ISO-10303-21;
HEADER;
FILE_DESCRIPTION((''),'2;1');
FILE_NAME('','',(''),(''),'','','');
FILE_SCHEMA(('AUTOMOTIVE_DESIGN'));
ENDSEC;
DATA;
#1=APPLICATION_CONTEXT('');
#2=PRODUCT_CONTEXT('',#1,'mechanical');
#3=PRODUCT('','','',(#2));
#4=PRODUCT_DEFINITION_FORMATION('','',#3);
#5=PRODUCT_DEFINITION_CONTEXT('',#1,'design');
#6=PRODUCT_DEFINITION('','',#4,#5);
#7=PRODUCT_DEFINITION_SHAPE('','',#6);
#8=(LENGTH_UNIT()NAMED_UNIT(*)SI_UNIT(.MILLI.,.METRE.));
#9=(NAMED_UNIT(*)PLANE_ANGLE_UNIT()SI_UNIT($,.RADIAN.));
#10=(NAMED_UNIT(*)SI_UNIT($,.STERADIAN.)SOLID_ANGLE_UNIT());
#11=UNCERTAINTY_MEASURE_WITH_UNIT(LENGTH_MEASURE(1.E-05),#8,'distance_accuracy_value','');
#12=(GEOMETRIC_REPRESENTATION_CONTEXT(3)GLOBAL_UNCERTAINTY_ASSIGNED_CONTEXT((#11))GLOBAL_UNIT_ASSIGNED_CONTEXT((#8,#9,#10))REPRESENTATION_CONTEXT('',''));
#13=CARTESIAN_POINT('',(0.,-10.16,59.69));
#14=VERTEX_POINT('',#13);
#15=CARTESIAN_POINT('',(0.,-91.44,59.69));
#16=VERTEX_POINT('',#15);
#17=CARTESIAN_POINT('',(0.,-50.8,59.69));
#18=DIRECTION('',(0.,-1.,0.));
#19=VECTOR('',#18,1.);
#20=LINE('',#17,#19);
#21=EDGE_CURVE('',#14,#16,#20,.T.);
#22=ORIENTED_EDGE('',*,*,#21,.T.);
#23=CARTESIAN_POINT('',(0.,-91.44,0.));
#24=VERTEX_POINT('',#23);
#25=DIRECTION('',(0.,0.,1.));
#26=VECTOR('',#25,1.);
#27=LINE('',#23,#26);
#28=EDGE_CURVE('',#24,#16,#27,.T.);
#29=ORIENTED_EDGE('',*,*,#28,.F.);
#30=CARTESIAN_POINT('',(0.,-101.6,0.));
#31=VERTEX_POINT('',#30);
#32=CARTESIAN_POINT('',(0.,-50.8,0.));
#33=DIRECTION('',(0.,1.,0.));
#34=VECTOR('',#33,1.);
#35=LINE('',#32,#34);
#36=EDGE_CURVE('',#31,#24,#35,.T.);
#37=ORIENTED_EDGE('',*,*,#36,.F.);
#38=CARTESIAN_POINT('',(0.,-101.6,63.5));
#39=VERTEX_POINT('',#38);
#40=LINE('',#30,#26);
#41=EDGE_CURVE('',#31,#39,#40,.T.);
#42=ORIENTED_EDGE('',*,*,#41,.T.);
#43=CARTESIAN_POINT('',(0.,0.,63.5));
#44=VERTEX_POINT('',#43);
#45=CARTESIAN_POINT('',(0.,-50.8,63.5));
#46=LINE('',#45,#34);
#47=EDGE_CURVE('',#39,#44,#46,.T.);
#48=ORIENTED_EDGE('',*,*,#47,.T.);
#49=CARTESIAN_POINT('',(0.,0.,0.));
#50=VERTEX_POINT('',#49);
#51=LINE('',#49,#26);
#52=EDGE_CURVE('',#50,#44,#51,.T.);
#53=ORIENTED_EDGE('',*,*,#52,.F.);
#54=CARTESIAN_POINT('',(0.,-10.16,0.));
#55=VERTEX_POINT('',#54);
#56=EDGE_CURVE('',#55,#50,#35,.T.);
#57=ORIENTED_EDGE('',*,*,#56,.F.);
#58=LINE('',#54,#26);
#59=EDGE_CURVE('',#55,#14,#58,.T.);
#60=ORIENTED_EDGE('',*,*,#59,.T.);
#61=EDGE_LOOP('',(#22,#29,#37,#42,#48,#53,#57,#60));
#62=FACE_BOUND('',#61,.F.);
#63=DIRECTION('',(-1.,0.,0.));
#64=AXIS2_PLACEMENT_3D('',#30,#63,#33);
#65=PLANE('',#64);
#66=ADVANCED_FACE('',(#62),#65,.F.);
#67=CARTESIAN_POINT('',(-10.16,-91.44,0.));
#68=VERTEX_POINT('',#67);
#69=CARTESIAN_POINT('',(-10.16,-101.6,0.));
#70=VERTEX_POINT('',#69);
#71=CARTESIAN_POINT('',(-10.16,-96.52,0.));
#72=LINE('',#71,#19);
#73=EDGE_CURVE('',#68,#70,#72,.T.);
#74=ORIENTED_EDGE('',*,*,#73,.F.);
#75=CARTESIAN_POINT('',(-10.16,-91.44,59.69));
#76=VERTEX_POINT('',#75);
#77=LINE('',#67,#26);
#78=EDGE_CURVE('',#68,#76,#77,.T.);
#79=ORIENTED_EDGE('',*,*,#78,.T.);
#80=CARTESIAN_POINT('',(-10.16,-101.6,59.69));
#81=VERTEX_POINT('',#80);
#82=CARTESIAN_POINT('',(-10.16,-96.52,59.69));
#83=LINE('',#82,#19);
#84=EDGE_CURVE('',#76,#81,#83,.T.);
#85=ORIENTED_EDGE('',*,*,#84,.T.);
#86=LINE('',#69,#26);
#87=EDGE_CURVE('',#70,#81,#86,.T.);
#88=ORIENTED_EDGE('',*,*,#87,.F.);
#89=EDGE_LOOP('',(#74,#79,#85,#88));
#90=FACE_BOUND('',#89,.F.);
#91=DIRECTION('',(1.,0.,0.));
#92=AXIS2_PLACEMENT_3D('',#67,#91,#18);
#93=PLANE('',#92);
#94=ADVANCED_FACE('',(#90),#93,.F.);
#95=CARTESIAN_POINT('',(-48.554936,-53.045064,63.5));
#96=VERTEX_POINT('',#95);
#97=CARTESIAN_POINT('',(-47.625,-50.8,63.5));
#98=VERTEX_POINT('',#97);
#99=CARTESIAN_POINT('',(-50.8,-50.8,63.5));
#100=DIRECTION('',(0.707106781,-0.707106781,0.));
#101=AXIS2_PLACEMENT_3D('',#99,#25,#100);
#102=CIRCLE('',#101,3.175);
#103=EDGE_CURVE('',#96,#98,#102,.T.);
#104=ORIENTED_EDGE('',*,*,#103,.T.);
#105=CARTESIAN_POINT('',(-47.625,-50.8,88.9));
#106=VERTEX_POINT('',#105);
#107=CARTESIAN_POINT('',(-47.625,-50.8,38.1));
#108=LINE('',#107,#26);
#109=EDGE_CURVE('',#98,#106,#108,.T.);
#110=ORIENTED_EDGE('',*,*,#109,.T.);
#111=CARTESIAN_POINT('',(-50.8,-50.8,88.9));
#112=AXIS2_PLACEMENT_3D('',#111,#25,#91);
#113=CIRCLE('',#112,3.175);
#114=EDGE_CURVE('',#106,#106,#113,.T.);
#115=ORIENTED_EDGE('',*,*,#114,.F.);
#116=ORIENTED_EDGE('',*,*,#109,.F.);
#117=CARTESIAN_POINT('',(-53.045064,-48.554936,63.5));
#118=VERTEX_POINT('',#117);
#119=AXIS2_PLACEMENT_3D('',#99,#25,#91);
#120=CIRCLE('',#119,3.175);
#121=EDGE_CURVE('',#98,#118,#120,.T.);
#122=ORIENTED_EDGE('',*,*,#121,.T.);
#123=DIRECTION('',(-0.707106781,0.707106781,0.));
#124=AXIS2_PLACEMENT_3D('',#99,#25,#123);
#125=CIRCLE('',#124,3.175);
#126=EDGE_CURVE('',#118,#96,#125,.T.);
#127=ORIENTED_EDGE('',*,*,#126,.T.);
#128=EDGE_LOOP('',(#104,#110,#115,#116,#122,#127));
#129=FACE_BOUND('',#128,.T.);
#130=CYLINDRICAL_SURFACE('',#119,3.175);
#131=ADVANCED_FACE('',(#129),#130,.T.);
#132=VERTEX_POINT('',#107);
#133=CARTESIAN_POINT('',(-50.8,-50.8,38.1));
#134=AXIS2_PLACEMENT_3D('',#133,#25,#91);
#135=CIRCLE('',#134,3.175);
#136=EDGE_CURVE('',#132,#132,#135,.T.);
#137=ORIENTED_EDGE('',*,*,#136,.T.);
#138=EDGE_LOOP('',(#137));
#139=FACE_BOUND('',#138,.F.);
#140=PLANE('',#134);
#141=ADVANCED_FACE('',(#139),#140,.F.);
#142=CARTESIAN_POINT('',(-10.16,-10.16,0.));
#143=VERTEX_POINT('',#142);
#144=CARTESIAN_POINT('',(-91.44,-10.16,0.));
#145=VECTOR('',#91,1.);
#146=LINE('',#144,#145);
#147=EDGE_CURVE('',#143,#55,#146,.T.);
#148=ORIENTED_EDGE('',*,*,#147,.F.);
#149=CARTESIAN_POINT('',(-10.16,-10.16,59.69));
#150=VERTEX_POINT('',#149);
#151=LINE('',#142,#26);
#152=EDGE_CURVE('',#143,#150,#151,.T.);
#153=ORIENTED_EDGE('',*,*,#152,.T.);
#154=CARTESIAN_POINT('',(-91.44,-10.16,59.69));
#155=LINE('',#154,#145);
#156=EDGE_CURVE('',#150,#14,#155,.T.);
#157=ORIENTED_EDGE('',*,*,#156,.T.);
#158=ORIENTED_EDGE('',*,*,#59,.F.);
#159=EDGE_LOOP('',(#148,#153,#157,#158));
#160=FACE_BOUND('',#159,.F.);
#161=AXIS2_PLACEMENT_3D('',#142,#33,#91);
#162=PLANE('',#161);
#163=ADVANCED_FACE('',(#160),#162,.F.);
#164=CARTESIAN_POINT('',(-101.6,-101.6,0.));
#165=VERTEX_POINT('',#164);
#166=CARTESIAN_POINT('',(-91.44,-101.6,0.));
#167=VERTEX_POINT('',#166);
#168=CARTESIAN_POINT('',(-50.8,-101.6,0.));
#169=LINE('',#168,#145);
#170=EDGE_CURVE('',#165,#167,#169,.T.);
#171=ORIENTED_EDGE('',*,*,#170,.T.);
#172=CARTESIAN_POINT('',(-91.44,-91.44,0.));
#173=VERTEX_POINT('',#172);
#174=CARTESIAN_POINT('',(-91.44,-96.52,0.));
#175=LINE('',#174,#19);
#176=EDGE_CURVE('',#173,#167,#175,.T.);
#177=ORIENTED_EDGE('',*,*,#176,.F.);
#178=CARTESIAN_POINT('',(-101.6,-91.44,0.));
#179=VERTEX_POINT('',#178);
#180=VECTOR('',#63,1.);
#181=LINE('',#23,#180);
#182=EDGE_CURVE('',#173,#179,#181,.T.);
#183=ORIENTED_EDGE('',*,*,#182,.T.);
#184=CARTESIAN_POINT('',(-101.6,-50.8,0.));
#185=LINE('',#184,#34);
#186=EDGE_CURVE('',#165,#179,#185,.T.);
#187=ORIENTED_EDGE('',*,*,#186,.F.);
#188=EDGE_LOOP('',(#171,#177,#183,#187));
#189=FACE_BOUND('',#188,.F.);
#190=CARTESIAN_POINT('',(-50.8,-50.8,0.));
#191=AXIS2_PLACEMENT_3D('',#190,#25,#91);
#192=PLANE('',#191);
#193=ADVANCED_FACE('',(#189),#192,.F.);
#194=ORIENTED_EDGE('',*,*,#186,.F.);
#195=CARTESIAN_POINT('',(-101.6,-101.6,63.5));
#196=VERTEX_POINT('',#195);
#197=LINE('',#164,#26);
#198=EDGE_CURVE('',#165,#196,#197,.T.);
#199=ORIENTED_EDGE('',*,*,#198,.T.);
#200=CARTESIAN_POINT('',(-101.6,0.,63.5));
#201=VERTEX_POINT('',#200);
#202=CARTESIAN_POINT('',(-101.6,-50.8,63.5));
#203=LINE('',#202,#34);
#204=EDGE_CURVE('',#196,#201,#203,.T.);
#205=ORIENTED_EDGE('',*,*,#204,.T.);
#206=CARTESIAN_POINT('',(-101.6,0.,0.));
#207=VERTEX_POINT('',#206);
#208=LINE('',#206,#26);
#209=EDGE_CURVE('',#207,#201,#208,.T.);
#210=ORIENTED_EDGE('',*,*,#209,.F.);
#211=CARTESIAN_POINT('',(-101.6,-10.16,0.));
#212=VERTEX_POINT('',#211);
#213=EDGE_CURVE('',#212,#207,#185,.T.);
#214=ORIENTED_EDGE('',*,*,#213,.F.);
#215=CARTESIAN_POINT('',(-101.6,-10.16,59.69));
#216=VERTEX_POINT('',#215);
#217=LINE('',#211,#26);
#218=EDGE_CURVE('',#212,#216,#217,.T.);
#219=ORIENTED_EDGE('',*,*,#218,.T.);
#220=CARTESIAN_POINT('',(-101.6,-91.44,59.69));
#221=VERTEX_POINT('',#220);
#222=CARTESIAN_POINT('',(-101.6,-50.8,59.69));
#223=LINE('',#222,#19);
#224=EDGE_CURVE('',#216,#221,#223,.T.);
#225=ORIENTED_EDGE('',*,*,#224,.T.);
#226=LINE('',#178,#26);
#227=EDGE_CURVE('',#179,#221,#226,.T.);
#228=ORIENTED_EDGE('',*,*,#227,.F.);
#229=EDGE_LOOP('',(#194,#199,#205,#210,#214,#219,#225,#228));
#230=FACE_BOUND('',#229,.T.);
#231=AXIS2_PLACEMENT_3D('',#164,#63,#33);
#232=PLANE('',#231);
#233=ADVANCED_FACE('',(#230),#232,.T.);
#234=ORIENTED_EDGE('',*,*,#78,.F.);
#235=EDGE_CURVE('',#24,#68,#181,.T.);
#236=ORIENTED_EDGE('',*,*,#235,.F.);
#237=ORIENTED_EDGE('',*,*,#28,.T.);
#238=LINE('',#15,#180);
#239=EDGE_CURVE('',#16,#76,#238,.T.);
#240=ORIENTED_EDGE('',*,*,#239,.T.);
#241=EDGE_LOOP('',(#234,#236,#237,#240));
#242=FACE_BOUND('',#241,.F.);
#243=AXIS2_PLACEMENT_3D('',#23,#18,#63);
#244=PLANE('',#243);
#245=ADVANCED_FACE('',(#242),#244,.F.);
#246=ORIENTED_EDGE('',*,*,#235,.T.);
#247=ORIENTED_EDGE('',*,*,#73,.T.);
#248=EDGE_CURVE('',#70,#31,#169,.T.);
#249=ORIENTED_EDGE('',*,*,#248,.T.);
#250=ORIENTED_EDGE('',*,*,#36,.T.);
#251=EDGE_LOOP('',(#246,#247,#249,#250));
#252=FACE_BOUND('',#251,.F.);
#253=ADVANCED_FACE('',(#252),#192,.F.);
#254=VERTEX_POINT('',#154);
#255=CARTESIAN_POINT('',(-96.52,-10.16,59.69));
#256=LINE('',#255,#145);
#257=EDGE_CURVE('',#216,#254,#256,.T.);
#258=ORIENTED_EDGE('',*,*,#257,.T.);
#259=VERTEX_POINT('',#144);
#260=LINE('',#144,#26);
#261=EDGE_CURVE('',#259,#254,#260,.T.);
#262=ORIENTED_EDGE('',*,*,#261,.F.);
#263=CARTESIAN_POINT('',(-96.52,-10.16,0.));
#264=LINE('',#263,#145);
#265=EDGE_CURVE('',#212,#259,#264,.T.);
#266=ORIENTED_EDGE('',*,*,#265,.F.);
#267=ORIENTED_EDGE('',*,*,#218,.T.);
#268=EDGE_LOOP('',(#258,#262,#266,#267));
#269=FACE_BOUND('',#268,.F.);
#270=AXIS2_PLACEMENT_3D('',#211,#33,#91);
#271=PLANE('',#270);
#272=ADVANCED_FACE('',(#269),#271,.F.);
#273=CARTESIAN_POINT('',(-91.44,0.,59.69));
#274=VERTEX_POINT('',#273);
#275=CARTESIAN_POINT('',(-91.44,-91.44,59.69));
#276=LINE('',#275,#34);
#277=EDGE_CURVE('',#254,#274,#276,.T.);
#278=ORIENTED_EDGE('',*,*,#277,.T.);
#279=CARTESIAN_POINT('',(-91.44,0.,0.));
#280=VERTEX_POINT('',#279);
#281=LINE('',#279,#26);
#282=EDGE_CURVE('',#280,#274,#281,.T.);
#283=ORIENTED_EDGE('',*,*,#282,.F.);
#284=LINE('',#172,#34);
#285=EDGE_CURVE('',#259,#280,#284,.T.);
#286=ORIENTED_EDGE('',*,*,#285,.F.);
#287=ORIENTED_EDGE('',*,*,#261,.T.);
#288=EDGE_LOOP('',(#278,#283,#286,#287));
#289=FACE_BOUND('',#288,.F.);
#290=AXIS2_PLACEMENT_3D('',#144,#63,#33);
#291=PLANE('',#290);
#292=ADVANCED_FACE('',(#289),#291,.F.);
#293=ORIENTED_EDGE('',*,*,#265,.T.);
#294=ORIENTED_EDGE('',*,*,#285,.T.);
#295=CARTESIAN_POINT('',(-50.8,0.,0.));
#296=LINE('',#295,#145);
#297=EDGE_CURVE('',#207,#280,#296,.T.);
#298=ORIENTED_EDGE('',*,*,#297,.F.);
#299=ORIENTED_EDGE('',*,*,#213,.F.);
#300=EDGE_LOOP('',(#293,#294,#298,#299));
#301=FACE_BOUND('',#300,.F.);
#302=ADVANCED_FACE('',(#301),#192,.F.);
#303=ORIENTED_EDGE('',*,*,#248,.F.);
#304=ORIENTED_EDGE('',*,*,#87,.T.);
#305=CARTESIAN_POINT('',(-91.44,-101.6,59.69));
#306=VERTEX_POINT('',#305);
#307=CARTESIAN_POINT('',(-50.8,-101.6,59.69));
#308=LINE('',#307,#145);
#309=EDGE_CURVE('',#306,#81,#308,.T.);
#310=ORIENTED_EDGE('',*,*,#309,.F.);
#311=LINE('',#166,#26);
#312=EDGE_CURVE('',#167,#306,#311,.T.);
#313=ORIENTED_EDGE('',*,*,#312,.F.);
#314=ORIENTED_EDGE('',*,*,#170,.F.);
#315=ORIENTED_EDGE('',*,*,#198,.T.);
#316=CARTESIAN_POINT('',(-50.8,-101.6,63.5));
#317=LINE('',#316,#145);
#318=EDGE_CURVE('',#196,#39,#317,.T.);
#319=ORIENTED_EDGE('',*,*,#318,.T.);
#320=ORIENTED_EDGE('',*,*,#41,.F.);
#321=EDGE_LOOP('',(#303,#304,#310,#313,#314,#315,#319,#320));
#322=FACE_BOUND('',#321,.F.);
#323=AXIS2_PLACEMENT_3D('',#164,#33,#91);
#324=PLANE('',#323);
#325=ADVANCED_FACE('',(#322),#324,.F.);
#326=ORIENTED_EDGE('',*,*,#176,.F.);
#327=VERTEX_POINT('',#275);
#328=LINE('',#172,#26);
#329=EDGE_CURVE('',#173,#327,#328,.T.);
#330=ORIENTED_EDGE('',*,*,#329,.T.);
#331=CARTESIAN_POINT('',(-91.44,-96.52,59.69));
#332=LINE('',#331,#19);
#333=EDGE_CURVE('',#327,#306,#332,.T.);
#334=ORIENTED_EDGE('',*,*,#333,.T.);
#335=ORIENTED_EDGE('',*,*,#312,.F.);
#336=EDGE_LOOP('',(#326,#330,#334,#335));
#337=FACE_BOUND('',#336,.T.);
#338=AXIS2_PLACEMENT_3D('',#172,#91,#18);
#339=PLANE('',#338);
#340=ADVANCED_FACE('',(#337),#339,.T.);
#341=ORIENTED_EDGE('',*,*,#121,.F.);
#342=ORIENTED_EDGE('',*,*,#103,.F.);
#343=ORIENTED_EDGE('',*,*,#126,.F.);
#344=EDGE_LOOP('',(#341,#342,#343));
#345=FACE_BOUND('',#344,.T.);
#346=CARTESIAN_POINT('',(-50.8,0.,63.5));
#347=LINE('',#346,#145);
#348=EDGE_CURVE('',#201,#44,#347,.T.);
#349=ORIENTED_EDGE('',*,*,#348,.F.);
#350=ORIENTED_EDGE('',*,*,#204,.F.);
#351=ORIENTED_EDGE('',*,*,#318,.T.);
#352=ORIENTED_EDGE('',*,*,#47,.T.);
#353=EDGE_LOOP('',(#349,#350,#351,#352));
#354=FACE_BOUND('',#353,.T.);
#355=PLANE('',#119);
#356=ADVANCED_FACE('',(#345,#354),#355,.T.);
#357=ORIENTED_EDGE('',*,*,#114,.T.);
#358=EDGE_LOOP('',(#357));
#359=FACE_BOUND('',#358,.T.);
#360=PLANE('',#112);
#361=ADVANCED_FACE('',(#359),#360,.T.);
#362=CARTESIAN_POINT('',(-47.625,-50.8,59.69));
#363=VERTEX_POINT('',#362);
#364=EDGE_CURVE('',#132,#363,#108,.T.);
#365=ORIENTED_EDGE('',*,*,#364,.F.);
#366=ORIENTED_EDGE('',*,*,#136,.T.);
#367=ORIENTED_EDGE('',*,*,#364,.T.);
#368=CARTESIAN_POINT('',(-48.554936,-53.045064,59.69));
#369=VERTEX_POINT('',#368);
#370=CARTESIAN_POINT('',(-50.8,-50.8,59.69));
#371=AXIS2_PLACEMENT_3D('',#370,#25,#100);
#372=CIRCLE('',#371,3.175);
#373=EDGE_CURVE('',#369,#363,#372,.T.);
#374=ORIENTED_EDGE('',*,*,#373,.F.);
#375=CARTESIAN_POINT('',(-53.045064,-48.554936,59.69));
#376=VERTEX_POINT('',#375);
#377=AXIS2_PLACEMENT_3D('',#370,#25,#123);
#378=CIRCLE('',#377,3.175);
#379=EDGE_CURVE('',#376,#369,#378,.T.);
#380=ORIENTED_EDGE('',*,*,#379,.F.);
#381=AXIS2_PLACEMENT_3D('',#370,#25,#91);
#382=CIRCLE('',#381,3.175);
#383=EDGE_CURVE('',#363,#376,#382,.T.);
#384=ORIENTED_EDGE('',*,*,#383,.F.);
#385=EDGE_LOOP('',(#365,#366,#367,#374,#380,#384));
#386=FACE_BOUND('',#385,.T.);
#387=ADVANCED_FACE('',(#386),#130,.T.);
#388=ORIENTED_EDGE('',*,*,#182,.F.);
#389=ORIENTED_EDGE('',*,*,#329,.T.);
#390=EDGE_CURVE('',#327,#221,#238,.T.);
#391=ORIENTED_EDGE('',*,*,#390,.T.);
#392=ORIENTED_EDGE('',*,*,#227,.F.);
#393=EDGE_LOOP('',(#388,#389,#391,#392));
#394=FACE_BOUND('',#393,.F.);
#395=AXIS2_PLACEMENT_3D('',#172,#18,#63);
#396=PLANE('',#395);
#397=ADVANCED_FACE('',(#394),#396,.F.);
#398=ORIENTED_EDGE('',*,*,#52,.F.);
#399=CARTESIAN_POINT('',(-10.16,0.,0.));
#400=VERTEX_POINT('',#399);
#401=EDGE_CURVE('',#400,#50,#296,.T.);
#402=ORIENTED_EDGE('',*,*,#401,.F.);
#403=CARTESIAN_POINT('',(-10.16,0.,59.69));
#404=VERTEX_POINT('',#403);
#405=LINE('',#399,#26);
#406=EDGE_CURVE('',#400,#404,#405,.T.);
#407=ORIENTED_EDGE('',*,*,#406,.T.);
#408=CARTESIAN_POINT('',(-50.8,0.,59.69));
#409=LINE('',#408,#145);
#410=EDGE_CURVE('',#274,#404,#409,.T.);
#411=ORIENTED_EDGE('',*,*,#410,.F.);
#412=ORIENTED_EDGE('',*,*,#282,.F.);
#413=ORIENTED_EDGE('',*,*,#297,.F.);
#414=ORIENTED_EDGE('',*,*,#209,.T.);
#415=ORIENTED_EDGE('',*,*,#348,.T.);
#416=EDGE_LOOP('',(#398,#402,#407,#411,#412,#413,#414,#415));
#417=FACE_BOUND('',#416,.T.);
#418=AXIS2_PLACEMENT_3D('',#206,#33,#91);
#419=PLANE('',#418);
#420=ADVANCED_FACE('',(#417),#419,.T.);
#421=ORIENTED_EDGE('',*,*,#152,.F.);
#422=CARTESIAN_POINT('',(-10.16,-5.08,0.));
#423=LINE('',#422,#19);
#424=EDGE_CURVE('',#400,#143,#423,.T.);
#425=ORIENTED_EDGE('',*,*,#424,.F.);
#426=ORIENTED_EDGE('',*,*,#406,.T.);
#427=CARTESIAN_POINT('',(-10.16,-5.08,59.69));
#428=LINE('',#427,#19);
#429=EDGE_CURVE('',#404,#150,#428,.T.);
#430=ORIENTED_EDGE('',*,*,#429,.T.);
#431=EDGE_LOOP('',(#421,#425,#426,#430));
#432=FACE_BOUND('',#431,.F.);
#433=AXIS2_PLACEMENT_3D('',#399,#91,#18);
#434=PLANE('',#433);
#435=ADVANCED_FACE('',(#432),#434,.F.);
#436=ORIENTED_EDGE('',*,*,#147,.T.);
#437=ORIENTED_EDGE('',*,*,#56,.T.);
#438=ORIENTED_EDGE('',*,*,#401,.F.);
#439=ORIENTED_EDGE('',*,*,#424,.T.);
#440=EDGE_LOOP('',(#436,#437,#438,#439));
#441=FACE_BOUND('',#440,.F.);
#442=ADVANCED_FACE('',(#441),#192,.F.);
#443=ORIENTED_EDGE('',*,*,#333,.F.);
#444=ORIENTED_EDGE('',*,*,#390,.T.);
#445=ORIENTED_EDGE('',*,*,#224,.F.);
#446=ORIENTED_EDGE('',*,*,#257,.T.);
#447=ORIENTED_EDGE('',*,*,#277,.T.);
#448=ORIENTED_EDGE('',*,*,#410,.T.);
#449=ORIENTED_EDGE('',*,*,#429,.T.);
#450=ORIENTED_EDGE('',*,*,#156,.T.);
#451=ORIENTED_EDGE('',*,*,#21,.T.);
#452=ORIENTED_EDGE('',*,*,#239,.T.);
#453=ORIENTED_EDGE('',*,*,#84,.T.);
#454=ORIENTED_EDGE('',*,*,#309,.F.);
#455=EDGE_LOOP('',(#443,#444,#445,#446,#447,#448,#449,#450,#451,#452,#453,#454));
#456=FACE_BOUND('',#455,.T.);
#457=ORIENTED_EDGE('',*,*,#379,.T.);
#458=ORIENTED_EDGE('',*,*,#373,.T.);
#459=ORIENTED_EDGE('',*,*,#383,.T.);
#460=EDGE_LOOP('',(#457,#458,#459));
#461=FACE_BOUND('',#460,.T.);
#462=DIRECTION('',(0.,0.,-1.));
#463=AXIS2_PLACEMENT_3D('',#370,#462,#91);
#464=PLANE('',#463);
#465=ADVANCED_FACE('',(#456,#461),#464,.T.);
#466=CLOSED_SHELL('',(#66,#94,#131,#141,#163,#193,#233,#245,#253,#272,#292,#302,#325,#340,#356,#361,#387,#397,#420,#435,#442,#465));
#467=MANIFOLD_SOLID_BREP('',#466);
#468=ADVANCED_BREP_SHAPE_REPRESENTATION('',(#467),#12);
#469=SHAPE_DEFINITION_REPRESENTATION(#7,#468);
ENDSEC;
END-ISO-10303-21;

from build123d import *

# Parameters (mm, degrees)
F0_W     = 101.6
F0_H     = 101.6
F1_DEPTH = 63.5
F2_W     = 81.28
F2_H     = 81.28
F2_W_2   = 10.16
F2_H_2   = 10.16
F3_DEPTH = 59.69
F5_DEPTH = 63.501
F6_R     = 3.175
F7_DEPTH = 25.4


with BuildPart() as f1:
    # F0 (on Top) → F1 (new body)
    with BuildSketch(Plane.XY):
        with Locations((-50.8, -50.8)):
            Rectangle(F0_W, F0_H)
    extrude(amount=F1_DEPTH)

    # F2 (on face) → F3 (cut)
    with BuildSketch(Plane(origin=(0, 0, 0), x_dir=(1, 0, 0), z_dir=(0, 0, -1))):
        with Locations((-50.8, 50.8)):
            Rectangle(F2_W, F2_H)
        with Locations((-5.08, 50.8)):
            Rectangle(F2_W_2, F2_H)
        with Locations((-50.8, 5.08)):
            Rectangle(F2_W, F2_H_2)
        with Locations((-96.52, 50.8)):
            Rectangle(F2_W_2, F2_H)
        with Locations((-50.8, 96.52)):
            Rectangle(F2_W, F2_H_2)
    extrude(amount=-F3_DEPTH, mode=Mode.SUBTRACT)

    # F4 (on face) → F5 (cut, through all)
    with BuildSketch(Plane.XY.offset(63.5)):
        with BuildLine():
            ThreePointArc((-47.625, -50.8), (-49.5849801022, -47.8666824843), (-53.0450640303, -48.5549359697))
            Line((-53.0450640303, -48.5549359697), (-48.5549359697, -53.0450640303))
            ThreePointArc((-48.5549359697, -53.0450640303), (-47.8666824843, -52.0150198978), (-47.625, -50.8))
        make_face()
        with BuildLine():
            Line((-48.5549359697, -53.0450640303), (-53.0450640303, -48.5549359697))
            ThreePointArc((-53.0450640303, -48.5549359697), (-53.0450640303, -53.0450640303), (-48.5549359697, -53.0450640303))
        make_face()
    extrude(amount=-F5_DEPTH, mode=Mode.SUBTRACT)

    # F6 (on face) → F7 (join, symmetric)
    with BuildSketch(Plane.XY.offset(63.5)):
        with Locations((-50.8, -50.8)):
            Circle(F6_R)
    extrude(amount=F7_DEPTH, both=True)


solid = f1.part
